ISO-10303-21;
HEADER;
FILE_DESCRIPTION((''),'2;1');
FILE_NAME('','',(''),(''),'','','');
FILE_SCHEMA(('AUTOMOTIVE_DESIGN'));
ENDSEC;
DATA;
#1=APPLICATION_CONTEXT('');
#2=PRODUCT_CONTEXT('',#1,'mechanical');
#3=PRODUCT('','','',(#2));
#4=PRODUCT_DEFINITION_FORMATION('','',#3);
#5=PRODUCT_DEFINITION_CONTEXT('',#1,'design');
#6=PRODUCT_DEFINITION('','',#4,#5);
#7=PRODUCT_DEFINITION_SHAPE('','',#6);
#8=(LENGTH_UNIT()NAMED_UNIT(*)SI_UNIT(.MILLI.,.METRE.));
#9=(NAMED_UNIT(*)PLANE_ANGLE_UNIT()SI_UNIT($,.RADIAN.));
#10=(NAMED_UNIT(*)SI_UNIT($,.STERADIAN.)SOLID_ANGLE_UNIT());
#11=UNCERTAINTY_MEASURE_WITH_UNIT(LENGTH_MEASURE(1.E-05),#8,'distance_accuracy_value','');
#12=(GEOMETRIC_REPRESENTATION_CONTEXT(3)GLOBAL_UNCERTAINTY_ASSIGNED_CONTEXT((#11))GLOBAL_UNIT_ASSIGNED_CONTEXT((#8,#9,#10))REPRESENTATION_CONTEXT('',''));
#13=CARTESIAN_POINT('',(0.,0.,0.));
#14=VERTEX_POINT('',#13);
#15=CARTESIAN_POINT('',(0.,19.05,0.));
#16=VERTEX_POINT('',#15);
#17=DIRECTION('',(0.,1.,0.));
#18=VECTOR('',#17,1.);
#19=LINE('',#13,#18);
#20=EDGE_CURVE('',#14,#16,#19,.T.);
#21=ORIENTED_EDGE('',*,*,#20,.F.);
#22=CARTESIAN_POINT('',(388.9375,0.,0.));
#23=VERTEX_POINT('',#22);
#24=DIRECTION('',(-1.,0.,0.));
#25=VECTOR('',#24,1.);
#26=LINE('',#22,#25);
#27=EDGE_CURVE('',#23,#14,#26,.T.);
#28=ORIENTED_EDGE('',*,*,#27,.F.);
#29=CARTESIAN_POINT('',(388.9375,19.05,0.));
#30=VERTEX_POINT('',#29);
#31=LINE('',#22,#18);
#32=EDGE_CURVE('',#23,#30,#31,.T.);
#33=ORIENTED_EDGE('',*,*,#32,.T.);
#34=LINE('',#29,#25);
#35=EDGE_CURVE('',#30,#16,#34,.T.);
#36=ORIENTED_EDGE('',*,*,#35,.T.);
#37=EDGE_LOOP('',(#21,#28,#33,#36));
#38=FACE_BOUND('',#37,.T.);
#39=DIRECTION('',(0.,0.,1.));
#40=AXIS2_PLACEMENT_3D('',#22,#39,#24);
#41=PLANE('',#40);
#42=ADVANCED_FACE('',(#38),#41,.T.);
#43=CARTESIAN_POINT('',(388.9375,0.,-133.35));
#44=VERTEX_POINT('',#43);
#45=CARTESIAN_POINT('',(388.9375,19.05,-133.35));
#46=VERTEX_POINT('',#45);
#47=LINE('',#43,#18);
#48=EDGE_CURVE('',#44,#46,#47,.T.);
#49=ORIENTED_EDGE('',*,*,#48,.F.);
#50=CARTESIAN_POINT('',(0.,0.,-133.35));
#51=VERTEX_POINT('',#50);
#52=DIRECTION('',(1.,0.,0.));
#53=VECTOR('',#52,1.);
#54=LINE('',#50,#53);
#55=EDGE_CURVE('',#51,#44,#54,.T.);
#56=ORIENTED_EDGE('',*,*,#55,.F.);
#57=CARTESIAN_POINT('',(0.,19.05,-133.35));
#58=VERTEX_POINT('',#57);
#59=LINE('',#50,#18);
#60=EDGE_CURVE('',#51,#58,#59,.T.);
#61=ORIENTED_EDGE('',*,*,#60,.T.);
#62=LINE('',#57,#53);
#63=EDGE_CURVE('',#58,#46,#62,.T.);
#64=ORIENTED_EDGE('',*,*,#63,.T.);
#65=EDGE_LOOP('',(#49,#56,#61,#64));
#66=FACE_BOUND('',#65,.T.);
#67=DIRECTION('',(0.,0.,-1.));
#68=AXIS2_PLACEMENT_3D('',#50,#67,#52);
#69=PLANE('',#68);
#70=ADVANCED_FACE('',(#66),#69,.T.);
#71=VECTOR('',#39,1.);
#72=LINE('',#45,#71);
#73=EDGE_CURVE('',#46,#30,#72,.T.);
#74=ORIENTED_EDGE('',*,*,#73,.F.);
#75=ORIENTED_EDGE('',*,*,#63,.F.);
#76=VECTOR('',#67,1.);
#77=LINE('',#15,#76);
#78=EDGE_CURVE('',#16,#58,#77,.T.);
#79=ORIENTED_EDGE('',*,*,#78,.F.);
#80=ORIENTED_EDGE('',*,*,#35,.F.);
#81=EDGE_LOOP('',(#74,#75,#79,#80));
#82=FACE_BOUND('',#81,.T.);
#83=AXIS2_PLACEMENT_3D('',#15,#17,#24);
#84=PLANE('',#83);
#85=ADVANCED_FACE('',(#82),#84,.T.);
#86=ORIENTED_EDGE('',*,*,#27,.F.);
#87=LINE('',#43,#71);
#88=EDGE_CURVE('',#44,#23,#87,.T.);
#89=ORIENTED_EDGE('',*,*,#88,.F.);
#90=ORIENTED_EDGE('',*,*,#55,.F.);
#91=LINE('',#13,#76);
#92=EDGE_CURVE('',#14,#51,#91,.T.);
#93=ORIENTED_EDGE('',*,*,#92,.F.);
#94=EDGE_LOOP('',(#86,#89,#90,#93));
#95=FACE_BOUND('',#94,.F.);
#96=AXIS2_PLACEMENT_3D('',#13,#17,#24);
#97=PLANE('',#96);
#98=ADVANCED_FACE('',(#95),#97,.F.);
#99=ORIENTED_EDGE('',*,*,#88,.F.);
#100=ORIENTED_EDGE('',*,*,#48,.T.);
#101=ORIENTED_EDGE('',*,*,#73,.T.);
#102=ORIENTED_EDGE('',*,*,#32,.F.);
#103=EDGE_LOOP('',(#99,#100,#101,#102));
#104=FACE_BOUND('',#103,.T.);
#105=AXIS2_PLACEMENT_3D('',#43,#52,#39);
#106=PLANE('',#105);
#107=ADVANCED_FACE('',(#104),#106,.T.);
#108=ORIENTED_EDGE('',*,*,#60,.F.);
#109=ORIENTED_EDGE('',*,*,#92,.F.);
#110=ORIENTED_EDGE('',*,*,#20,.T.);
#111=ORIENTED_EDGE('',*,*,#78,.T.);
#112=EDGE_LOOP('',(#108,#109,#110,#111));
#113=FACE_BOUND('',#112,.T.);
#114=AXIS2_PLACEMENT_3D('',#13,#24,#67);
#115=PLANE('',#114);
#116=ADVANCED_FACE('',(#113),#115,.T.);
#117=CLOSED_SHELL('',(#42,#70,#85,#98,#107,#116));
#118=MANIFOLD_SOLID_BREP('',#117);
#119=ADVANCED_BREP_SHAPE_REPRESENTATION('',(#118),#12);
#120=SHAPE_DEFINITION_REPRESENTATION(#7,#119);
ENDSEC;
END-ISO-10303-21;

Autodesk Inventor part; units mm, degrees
ref_plane "YZ Plane" through (0, 0, 0) normal (1, 0, 0) x (0, 1, 0)
ref_plane "XZ Plane" through (0, 0, 0) normal (0, 1, 0) x (-1, 0, 0)
ref_plane "XY Plane" through (0, 0, 0) normal (0, 0, 1) x (1, 0, 0)
sketch "Sketch1" plane through (0, 0, 0) normal (0, 1, 0) x (-1, 0, 0)
  line L0 (0, -133.35) -> (-388.9375, -133.35)
  line L1 (-388.9375, -133.35) -> (-388.9375, 0)
  line L2 (-388.9375, 0) -> (0, 0)
  line L3 (0, 0) -> (0, -133.35)
  dimension "d0" = 388.9375
  dimension "d1" = 133.35
extrude "Extrusion1" add sketch "Sketch1" along normal blind 19.05
properties part number "Door Shelf" material "Wood (Oak)"
